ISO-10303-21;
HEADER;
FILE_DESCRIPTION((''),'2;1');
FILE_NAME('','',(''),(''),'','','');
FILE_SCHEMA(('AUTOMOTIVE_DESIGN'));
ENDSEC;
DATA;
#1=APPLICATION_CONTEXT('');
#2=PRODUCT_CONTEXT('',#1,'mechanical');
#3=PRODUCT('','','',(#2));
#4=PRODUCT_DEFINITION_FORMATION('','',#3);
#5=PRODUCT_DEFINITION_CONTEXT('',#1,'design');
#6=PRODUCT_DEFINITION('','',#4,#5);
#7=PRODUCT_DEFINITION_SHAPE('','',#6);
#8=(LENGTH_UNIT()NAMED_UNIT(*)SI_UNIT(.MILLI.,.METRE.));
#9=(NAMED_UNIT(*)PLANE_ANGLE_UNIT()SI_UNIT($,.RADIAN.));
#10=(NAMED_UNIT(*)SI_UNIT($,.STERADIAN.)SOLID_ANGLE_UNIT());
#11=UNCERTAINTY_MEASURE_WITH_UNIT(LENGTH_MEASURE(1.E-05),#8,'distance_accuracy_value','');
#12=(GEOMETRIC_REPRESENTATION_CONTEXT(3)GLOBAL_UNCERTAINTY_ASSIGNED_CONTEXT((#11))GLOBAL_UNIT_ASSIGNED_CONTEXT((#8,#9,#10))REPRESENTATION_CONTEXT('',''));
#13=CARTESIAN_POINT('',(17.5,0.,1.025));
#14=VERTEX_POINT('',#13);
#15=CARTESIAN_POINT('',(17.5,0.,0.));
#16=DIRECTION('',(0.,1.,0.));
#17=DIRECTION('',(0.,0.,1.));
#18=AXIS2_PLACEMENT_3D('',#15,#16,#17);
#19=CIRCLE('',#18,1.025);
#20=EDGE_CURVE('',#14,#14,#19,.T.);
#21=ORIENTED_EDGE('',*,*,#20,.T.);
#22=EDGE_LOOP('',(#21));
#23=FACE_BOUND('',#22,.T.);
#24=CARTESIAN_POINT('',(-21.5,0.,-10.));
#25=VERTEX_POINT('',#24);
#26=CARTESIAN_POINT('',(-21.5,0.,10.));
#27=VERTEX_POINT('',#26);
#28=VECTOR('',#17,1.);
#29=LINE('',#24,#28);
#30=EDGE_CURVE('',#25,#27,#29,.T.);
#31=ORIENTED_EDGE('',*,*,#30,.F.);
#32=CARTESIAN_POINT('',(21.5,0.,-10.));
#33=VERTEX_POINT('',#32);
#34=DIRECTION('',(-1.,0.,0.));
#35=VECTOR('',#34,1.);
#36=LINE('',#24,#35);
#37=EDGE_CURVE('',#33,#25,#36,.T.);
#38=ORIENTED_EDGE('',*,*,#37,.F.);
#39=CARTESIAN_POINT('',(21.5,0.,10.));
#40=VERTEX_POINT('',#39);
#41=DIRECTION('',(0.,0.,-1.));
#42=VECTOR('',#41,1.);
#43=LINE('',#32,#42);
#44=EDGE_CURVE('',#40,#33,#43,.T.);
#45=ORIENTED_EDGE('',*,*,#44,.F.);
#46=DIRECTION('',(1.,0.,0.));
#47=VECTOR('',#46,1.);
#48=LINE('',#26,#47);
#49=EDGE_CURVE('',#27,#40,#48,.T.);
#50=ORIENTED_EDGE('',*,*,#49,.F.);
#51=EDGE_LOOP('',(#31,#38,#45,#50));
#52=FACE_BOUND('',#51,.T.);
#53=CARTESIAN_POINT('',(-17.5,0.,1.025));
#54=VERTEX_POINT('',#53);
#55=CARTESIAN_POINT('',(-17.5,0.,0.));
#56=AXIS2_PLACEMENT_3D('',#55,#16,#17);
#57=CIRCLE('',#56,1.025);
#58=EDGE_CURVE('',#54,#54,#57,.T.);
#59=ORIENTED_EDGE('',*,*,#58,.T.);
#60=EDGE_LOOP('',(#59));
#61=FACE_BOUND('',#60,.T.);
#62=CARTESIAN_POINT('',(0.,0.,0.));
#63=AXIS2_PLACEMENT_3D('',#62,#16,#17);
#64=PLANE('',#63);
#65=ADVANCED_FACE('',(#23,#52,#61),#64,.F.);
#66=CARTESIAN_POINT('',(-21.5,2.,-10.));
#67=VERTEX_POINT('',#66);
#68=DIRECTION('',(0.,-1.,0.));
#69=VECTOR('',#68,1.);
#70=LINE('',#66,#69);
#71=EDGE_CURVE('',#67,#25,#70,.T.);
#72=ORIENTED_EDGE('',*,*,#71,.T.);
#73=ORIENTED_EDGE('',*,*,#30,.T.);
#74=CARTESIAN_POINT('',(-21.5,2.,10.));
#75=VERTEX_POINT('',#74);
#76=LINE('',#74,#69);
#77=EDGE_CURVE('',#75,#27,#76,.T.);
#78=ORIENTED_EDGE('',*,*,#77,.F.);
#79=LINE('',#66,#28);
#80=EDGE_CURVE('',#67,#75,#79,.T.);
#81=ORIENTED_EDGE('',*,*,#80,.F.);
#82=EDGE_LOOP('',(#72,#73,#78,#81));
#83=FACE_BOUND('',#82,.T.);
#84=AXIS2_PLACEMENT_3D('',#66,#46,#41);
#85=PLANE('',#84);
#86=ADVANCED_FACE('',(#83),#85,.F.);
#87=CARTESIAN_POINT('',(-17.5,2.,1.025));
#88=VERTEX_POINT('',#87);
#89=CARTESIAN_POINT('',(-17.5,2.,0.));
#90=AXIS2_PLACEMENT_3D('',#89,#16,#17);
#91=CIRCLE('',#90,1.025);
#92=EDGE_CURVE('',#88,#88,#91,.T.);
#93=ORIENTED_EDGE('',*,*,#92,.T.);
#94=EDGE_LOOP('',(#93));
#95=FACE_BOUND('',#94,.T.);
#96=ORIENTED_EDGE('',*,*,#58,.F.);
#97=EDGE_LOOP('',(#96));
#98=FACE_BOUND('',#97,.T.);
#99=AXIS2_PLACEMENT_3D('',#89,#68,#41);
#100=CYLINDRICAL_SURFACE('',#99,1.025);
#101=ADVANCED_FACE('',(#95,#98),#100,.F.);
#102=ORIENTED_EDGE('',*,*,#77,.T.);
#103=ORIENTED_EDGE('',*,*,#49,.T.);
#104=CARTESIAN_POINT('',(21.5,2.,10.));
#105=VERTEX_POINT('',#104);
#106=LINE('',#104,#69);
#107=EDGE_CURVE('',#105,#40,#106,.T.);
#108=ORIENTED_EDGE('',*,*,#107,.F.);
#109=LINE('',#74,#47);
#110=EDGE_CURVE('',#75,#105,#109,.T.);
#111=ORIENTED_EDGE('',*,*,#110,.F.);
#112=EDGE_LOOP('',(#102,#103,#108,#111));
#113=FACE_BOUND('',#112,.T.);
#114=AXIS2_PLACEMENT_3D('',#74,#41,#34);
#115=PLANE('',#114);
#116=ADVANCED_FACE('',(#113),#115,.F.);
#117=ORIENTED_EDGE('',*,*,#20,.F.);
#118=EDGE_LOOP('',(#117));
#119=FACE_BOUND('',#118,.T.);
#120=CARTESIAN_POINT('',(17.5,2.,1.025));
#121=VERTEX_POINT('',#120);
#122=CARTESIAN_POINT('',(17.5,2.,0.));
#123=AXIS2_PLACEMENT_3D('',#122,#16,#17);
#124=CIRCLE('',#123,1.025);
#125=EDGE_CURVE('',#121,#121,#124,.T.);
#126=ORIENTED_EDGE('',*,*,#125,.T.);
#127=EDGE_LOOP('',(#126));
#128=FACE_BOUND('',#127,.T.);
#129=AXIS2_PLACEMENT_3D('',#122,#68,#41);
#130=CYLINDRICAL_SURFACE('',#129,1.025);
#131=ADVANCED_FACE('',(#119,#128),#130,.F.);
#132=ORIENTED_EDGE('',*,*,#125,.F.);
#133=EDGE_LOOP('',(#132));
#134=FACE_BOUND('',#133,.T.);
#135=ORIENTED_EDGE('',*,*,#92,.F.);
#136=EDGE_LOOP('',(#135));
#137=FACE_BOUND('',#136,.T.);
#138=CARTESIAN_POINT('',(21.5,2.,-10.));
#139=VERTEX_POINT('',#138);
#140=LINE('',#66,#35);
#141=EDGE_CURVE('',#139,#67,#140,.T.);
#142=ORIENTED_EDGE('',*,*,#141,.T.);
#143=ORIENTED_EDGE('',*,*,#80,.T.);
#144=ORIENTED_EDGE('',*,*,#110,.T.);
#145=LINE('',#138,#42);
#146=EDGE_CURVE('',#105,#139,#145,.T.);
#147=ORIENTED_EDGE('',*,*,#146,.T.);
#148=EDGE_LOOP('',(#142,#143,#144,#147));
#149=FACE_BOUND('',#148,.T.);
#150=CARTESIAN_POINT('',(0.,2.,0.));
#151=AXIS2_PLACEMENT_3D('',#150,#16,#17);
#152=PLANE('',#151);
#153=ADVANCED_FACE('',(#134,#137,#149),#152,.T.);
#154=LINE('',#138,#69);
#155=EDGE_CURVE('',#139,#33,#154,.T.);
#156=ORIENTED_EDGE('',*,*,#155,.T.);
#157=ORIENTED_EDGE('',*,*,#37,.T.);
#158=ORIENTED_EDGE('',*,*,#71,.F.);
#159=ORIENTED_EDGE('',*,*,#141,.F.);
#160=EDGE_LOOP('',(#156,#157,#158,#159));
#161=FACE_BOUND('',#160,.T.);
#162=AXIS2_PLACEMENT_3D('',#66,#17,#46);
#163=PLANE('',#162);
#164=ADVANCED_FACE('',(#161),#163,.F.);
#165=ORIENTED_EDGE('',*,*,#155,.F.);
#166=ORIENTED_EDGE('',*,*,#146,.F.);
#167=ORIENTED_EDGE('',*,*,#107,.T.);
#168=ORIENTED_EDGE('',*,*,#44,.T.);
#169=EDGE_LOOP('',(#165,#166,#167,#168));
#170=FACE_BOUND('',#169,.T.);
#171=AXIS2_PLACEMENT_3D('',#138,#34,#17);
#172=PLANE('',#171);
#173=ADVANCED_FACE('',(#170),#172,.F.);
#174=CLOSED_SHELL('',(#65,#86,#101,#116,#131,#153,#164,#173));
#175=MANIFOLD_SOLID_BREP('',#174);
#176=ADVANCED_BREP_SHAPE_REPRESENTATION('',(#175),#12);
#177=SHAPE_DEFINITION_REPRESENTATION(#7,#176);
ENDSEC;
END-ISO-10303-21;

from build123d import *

# Parameters (mm, degrees)
SKETCH1_W           = 43
SKETCH1_H           = 20
SKETCH1_R           = 1.025
BOSS_EXTRUDE1_DEPTH = 2


with BuildPart() as part:
    # Sketch1 → Boss-Extrude1 (new body)
    with BuildSketch(Plane(origin=(0, 0, 0), x_dir=(1, 0, 0), z_dir=(0, 1, 0))):
        Rectangle(SKETCH1_W, SKETCH1_H)
        with Locations(Location((-17.5, 0, 0), (0, 0, 270))):
            Circle(SKETCH1_R, mode=Mode.SUBTRACT)
        with Locations(Location((17.5, 0, 0), (0, 0, 270))):
            Circle(SKETCH1_R, mode=Mode.SUBTRACT)
    extrude(amount=BOSS_EXTRUDE1_DEPTH)


solid = part.part
